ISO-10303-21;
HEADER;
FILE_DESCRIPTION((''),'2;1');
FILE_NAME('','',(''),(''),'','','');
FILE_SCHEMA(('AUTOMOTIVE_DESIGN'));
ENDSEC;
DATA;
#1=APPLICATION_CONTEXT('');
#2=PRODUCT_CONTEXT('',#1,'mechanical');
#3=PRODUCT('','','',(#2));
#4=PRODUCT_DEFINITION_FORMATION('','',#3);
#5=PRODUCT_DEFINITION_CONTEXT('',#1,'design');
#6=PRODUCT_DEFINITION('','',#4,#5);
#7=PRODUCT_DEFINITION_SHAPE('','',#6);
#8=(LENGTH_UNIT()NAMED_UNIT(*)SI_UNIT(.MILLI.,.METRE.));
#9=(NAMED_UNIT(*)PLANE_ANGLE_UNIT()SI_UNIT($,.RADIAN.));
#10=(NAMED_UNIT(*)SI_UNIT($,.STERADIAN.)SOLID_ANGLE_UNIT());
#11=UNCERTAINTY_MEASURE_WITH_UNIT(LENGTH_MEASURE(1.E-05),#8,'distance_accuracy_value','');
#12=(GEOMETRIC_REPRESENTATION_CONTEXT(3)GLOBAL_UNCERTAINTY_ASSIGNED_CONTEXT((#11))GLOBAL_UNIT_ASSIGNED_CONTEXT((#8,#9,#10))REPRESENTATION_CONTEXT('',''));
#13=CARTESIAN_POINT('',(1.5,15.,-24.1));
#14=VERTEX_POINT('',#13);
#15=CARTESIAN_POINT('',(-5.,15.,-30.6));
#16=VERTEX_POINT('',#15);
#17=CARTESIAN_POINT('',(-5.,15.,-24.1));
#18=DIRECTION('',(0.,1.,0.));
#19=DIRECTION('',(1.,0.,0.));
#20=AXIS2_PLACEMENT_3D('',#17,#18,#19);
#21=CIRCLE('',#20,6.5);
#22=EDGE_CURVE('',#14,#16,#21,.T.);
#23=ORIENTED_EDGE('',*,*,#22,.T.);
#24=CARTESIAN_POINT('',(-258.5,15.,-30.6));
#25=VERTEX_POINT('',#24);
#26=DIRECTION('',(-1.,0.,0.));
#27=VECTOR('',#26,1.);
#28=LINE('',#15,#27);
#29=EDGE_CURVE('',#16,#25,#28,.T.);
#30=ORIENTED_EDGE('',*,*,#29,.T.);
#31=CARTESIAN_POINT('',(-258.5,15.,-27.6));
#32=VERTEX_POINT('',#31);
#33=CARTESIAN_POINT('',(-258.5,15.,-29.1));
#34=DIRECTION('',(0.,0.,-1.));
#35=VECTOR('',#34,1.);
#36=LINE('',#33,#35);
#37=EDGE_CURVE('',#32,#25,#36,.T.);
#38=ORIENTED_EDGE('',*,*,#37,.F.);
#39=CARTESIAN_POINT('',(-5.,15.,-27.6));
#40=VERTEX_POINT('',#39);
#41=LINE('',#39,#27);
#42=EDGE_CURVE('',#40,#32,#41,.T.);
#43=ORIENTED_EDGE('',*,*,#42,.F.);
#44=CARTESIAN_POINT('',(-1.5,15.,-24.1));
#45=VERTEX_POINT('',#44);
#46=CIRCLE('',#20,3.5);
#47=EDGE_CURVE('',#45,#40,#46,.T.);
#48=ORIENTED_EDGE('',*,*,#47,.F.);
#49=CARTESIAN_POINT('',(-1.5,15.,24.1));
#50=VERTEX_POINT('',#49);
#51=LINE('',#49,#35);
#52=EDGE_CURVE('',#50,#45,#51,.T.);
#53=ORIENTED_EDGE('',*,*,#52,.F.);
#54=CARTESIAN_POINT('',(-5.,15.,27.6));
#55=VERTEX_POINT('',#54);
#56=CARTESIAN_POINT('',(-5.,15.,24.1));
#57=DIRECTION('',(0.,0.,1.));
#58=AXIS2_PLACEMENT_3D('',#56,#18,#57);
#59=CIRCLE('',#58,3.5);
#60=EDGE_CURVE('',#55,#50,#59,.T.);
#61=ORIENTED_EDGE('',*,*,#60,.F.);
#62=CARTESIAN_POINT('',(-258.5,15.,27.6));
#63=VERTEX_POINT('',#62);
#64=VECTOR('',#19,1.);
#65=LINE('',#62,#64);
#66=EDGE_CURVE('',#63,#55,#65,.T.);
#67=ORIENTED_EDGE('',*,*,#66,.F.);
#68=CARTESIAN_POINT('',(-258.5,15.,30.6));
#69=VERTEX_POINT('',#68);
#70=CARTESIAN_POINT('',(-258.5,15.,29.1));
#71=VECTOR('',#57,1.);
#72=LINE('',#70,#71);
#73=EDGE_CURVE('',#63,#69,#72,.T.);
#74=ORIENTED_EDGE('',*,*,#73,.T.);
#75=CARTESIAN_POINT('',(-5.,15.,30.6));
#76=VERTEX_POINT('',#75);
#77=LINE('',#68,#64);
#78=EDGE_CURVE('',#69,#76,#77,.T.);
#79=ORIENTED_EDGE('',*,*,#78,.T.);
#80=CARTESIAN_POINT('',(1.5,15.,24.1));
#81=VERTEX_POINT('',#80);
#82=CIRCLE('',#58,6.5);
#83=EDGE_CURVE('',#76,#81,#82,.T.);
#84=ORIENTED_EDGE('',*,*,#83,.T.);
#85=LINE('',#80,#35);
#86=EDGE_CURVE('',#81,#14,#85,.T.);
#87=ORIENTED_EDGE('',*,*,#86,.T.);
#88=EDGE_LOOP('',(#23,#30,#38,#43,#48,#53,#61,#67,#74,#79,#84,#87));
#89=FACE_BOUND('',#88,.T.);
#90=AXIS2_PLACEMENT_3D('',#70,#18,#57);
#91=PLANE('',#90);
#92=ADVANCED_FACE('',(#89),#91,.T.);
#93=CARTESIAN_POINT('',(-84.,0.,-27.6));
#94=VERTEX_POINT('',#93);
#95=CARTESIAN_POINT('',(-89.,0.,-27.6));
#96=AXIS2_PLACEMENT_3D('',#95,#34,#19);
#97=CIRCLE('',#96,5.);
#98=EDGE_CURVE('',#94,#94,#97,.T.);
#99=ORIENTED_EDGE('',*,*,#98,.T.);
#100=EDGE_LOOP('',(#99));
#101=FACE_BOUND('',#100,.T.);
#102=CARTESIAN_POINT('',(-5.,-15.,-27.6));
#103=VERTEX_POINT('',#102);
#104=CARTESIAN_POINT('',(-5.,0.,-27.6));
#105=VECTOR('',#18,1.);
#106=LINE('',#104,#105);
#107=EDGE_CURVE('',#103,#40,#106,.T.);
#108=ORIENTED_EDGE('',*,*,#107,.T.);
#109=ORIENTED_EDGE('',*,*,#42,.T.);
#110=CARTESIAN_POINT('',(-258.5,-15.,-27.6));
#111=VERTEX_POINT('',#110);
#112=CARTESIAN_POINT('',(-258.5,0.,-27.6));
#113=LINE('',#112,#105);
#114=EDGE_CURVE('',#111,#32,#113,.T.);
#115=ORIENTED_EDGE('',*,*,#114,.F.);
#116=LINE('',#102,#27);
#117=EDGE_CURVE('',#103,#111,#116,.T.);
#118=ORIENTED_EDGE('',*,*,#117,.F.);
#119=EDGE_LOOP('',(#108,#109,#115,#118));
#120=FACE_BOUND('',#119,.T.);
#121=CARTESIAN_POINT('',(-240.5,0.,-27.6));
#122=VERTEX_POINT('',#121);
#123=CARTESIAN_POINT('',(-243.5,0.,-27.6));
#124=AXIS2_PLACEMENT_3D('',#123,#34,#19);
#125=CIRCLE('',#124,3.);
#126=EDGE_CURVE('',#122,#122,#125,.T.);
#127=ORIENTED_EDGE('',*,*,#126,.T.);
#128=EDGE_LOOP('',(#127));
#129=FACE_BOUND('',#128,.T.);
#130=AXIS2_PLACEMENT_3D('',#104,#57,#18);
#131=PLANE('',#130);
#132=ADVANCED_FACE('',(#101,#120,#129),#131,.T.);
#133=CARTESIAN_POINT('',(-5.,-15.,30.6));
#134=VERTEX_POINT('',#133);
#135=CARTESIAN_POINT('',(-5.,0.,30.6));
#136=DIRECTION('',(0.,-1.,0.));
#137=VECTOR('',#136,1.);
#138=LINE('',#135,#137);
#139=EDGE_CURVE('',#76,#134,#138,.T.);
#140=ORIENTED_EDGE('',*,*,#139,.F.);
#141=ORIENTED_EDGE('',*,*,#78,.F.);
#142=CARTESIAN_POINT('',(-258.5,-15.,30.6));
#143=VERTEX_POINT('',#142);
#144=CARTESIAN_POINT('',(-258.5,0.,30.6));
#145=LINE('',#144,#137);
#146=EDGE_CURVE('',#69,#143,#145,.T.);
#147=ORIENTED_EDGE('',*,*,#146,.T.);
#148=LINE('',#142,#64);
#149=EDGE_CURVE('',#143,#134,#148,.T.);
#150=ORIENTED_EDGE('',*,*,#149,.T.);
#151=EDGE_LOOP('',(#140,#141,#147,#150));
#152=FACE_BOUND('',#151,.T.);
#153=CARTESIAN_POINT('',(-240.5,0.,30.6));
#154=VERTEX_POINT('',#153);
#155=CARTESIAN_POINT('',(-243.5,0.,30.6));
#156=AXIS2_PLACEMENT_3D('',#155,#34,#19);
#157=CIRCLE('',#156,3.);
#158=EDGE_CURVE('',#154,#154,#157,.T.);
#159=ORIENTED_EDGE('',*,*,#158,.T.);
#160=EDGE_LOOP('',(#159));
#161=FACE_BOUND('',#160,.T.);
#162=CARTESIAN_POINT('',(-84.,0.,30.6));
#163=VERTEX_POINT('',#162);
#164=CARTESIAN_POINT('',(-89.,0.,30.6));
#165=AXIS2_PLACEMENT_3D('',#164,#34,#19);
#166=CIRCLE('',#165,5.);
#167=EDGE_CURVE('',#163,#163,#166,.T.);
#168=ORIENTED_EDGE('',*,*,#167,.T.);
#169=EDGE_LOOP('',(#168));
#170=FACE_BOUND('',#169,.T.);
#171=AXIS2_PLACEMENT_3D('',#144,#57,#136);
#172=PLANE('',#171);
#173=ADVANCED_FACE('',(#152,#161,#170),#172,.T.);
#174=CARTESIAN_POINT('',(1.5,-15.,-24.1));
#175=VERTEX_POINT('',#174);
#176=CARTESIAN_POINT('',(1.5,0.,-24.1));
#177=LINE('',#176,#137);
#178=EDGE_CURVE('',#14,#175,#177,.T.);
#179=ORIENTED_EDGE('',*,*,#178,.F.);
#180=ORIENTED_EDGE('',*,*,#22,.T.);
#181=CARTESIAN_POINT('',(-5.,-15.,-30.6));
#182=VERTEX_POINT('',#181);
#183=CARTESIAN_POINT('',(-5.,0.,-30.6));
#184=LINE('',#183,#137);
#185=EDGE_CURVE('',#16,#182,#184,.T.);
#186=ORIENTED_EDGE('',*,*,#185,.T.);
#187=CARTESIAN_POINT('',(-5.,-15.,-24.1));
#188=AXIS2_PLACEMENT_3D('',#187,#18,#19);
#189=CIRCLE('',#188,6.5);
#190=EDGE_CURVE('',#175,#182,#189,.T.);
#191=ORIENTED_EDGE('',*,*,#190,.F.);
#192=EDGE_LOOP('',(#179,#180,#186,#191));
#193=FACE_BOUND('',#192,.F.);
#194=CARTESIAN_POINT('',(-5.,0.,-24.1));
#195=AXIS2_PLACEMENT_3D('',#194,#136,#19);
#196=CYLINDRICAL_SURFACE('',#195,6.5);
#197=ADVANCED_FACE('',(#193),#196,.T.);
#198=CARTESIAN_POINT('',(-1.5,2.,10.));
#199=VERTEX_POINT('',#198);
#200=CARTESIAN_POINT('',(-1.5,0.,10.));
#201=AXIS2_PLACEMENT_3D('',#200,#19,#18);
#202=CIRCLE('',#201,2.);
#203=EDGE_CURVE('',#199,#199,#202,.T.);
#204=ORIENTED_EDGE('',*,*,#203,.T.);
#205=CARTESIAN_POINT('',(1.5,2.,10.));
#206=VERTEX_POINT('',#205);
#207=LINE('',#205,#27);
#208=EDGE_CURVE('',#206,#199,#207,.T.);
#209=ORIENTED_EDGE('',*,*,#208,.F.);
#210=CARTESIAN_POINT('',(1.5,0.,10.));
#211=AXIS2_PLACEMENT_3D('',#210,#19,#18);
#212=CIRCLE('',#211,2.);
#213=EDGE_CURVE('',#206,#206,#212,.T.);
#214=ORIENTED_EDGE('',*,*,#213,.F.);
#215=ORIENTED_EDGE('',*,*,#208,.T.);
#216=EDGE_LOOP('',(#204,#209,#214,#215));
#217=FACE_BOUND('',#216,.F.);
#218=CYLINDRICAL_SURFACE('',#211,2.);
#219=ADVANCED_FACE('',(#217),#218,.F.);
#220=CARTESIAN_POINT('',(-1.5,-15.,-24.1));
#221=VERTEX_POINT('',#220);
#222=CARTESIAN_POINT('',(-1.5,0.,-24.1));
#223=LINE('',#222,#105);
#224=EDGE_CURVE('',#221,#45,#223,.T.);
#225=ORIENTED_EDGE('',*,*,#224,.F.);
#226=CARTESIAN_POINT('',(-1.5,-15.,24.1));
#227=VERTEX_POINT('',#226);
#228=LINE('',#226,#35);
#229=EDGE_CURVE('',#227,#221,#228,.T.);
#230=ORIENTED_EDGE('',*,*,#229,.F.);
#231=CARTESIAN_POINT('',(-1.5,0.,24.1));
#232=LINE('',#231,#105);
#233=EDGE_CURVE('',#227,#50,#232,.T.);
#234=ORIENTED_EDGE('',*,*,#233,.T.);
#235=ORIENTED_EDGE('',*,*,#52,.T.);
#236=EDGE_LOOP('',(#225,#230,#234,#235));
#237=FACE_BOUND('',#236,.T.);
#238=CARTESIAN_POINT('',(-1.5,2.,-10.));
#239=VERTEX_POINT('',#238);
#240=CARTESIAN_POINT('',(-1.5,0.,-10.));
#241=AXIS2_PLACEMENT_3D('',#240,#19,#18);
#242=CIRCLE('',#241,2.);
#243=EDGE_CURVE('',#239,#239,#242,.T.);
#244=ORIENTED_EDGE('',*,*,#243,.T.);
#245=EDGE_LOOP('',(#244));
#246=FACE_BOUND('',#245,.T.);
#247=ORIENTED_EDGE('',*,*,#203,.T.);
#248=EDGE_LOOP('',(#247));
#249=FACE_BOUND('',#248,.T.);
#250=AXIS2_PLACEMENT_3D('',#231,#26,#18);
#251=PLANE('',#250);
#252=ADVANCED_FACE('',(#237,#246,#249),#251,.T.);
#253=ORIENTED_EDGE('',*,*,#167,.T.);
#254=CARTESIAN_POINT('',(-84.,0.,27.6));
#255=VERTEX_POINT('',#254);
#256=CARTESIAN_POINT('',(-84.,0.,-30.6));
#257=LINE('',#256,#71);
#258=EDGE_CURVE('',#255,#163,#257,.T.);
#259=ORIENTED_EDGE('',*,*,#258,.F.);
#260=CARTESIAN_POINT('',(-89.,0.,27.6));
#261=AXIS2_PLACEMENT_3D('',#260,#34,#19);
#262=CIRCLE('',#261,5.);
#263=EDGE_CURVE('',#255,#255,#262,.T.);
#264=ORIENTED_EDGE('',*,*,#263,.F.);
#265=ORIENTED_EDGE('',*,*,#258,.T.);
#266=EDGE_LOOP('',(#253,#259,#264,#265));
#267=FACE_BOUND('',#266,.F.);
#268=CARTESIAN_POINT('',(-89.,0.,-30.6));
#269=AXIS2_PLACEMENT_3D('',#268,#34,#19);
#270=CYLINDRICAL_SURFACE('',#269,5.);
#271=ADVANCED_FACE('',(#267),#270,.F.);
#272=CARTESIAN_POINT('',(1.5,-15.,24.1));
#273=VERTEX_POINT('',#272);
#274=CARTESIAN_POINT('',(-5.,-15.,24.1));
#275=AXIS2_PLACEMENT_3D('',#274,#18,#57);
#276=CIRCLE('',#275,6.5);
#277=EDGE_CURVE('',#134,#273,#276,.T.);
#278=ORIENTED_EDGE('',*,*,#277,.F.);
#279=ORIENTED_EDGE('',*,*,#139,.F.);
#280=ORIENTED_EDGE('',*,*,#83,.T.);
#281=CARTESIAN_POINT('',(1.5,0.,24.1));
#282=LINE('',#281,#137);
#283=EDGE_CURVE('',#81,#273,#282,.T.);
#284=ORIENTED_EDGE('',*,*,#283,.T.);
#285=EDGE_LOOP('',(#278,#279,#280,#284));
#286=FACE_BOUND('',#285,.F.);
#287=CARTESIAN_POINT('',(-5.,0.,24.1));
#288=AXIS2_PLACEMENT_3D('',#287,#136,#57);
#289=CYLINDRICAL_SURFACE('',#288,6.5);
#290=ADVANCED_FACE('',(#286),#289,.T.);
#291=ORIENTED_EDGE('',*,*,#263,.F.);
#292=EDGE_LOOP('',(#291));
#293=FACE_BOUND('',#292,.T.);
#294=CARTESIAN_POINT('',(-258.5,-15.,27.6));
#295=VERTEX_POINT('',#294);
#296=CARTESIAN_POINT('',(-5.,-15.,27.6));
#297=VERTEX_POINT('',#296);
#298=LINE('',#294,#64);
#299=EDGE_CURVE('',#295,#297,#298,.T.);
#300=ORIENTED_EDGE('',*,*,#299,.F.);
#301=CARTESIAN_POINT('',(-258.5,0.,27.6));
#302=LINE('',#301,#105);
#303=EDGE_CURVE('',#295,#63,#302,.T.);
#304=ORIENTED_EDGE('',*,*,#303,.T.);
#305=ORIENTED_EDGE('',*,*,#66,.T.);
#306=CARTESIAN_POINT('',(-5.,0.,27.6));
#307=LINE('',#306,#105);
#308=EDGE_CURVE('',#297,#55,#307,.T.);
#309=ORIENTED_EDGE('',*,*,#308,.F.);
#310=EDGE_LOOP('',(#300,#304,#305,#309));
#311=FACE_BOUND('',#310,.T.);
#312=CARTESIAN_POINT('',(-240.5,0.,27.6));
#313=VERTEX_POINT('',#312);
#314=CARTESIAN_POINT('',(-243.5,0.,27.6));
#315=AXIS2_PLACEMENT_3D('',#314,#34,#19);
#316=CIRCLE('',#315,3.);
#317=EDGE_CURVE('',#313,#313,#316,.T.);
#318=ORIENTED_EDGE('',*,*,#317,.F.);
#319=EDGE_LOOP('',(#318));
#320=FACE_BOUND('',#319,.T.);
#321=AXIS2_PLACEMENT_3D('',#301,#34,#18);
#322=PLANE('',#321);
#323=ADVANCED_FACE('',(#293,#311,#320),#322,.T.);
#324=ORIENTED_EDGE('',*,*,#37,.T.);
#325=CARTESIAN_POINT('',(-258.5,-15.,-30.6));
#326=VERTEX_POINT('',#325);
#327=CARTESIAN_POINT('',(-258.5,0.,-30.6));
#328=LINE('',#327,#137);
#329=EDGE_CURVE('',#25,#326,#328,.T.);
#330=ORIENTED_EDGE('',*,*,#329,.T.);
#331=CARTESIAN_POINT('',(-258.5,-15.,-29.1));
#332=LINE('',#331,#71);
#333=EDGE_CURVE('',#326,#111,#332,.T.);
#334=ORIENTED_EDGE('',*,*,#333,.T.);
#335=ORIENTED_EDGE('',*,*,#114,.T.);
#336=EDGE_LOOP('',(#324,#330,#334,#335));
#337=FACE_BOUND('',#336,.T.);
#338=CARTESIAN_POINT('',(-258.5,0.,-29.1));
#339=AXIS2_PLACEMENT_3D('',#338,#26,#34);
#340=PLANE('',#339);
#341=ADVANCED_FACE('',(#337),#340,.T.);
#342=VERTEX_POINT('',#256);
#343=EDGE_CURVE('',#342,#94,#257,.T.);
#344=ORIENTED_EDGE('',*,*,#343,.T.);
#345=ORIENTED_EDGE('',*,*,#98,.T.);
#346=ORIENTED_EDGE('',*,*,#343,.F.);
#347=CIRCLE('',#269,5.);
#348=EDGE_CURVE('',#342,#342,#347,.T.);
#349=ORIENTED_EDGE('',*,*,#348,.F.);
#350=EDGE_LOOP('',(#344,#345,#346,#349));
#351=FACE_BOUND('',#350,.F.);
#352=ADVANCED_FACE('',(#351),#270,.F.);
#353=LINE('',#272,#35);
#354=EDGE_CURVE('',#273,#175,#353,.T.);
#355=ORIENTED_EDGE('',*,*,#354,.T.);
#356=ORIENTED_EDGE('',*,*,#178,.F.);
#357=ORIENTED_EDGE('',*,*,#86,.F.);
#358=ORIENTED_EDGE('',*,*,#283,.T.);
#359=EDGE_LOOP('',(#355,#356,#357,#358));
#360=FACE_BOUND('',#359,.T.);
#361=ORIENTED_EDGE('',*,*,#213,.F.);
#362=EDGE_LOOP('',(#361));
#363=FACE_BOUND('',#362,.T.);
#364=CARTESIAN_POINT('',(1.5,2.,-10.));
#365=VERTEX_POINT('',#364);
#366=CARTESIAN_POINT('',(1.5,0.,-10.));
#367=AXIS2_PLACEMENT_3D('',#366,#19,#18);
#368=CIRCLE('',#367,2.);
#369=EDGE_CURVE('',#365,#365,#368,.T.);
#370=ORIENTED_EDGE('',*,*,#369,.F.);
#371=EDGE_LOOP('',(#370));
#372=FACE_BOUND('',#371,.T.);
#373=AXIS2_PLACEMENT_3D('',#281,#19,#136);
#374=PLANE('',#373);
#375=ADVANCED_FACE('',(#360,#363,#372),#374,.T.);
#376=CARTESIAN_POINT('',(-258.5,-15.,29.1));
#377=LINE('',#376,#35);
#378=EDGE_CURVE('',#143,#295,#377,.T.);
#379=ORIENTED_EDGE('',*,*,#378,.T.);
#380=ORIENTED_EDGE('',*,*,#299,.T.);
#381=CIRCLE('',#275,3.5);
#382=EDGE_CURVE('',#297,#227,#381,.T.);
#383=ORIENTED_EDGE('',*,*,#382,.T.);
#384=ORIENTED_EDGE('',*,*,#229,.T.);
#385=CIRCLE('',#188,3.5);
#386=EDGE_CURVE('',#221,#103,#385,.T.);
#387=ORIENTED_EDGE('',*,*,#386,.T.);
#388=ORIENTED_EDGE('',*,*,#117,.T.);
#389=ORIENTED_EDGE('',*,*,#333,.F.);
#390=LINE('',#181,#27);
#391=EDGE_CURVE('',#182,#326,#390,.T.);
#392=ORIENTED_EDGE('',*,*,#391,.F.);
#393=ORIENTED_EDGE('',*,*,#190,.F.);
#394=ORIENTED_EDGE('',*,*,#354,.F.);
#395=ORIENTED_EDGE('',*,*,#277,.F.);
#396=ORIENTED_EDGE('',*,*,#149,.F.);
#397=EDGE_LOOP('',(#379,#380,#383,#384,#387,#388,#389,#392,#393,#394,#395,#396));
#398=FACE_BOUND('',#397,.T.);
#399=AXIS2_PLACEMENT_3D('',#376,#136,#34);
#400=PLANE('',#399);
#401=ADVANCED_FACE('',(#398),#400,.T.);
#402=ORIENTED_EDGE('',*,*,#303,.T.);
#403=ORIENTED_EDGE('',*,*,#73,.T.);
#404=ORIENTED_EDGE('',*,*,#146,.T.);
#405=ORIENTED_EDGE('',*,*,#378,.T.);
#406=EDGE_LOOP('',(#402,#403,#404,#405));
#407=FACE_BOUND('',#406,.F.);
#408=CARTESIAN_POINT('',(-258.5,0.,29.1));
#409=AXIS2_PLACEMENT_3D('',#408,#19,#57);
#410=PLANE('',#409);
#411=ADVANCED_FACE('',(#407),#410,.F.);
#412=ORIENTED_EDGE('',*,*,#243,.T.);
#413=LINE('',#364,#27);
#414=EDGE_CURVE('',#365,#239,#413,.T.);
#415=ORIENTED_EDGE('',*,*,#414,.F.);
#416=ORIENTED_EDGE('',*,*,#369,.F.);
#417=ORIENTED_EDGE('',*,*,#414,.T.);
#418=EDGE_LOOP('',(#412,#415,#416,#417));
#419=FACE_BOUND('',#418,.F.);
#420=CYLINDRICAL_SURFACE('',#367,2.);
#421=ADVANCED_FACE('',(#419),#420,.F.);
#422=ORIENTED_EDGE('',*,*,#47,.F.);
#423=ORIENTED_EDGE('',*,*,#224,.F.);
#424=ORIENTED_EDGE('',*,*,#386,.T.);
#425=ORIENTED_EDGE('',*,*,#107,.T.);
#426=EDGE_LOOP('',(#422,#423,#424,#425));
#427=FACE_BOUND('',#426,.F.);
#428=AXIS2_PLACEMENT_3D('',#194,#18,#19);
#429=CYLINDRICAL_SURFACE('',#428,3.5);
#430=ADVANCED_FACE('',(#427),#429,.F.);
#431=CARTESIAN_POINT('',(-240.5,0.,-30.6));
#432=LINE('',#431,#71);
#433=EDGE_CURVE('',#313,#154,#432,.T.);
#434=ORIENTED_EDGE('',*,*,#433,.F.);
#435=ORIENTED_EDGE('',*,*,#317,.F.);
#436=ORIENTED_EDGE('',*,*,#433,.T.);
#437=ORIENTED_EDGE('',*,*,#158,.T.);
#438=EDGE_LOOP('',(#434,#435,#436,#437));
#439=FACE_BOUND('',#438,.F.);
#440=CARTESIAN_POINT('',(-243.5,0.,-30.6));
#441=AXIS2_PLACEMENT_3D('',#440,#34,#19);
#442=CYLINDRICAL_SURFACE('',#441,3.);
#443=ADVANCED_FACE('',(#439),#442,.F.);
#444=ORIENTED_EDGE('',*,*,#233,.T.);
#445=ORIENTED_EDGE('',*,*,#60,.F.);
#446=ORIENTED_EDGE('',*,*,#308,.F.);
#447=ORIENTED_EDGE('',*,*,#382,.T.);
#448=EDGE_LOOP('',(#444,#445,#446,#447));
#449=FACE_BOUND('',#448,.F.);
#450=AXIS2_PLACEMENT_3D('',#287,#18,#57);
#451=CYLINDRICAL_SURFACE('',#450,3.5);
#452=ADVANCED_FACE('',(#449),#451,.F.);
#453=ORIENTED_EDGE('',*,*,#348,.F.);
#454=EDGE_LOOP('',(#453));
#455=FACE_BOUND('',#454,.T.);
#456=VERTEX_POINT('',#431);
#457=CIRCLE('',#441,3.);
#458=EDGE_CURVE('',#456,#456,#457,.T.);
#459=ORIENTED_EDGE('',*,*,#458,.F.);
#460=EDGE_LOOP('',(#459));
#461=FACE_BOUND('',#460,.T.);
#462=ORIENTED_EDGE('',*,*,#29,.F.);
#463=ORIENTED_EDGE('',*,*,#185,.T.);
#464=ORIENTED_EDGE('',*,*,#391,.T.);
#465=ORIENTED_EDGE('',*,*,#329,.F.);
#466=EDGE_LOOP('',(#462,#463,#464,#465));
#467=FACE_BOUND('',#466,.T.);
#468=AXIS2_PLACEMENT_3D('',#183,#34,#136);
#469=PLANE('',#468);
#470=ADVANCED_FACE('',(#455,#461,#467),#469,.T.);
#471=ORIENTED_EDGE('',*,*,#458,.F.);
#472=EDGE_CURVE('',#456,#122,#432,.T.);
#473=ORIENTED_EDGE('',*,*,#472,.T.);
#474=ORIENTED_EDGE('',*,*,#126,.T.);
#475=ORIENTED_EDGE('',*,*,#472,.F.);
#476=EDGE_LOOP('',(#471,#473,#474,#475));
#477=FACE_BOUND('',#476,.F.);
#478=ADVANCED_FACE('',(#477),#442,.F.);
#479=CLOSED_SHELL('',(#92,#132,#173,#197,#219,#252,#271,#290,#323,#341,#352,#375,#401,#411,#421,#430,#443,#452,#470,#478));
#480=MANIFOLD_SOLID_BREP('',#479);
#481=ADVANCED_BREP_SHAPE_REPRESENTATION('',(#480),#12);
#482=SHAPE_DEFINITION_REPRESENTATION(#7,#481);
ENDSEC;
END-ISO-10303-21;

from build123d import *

# Parameters (mm, degrees)
F2_W     = 30
F2_H     = 3
F4_R     = 5
F5_DEPTH = 61.201
F6_R     = 2
F7_DEPTH = 260.001
F8_R     = 3
F9_DEPTH = 61.201


with BuildPart() as f3:
    # F3: sweep along a path in F0
    with BuildLine(Plane.XZ) as f3_path:
        Line((-258.5, 29.1), (-5, 29.1))
        ThreePointArc((-5, 29.1), (-1.4644660941, 27.6355339059), (0, 24.1))
        Line((0, 24.1), (0, -24.1))
        ThreePointArc((0, -24.1), (-1.4644660941, -27.6355339059), (-5, -29.1))
        Line((-5, -29.1), (-258.5, -29.1))
    # F2 (on plane+point) → F3 (sweep)
    with BuildSketch(Plane.YZ.offset(-258.5)):
        with Locations((0, 29.1)):
            Rectangle(F2_W, F2_H)
    sweep(path=f3_path.line)

    # F4 (on face) → F5 (cut, through all)
    with BuildSketch(Plane(origin=(0, 0, -30.6), x_dir=(1, 0, 0), z_dir=(0, 0, -1))):
        with Locations((-89, 0)):
            Circle(F4_R)
    extrude(amount=-F5_DEPTH, mode=Mode.SUBTRACT)

    # F6 (on face) → F7 (cut, through all)
    with BuildSketch(Plane.YZ.offset(1.5)):
        with Locations((0, 10)):
            Circle(F6_R)
        with Locations((0, -10)):
            Circle(F6_R)
    extrude(amount=-F7_DEPTH, mode=Mode.SUBTRACT)

    # F8 (on face) → F9 (cut, through all)
    with BuildSketch(Plane(origin=(0, 0, -30.6), x_dir=(1, 0, 0), z_dir=(0, 0, -1))):
        with Locations((-243.5, 0)):
            Circle(F8_R)
    extrude(amount=-F9_DEPTH, mode=Mode.SUBTRACT)


solid = f3.part
